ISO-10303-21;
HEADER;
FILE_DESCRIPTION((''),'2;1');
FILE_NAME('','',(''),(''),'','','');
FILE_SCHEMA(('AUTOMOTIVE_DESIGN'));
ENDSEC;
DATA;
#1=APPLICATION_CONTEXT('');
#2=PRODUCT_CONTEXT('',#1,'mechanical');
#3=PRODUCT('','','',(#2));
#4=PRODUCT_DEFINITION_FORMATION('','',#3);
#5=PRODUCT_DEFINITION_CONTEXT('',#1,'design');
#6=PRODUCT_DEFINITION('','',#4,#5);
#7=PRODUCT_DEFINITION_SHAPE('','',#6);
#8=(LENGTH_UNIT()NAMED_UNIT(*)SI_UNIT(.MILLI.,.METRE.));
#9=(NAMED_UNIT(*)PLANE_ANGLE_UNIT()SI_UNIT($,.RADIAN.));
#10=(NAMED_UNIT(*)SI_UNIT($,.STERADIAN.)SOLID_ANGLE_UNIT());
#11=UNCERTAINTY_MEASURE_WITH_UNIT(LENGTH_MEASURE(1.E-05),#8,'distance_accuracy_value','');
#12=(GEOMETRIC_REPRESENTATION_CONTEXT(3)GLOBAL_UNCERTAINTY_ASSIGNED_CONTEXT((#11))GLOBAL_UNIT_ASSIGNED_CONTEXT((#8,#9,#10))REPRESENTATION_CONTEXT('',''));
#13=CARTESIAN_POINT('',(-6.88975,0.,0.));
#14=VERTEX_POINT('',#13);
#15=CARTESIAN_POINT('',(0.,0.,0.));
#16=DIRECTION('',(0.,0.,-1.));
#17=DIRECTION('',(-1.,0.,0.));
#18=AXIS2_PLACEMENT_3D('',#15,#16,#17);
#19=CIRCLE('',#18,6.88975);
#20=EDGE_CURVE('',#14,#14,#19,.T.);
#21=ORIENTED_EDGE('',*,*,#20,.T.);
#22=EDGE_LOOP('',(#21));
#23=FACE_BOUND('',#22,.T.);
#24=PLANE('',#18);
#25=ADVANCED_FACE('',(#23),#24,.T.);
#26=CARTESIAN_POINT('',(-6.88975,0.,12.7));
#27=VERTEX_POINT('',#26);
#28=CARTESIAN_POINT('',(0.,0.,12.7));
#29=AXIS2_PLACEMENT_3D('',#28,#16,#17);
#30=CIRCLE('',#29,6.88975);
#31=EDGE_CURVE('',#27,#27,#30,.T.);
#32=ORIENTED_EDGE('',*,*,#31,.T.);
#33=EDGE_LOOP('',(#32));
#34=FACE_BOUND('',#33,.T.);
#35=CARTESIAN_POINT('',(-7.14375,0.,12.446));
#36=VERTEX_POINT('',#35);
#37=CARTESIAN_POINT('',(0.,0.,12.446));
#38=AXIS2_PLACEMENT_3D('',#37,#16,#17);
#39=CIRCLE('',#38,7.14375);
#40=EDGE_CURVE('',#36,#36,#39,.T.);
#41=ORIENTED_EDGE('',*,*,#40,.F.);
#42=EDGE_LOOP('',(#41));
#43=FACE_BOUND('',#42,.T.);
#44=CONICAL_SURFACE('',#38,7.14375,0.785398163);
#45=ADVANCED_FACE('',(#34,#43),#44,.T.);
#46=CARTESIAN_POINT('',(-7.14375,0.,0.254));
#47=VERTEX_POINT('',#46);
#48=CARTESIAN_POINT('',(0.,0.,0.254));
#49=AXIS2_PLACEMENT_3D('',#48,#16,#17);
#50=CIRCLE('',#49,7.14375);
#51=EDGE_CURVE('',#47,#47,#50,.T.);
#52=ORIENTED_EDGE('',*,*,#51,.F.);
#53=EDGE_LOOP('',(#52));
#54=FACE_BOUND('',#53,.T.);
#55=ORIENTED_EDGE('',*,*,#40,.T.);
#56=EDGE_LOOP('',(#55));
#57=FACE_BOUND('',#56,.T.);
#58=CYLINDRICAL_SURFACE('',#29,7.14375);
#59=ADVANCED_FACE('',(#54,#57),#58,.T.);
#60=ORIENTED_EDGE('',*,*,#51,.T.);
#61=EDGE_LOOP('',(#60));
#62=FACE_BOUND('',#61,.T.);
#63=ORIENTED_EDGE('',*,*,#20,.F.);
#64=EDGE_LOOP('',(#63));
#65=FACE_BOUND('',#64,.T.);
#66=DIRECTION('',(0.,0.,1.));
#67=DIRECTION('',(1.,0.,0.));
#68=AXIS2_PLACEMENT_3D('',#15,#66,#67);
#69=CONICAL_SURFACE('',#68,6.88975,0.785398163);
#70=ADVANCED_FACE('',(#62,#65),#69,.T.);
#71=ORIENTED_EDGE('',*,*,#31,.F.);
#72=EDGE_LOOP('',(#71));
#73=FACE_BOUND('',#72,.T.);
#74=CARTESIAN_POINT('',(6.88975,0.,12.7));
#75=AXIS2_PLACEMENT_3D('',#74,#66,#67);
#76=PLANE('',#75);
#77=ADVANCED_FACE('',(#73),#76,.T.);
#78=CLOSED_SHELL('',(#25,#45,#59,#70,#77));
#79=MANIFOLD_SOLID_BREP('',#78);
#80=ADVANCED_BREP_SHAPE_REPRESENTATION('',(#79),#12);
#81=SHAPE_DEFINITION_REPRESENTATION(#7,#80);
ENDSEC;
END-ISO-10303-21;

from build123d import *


with BuildPart() as part:
    # Sketch1 → Revolve1 (revolve)
    with BuildSketch(Plane.XZ):
        Polygon((6.88975, 12.7), (0, 12.7), (0, 0), (6.88975, 0), (7.14375, 0.254), (7.14375, 12.446), align=None)
    revolve(axis=Axis((0, 0, 12.7), (0, 0, -1)))


solid = part.part
